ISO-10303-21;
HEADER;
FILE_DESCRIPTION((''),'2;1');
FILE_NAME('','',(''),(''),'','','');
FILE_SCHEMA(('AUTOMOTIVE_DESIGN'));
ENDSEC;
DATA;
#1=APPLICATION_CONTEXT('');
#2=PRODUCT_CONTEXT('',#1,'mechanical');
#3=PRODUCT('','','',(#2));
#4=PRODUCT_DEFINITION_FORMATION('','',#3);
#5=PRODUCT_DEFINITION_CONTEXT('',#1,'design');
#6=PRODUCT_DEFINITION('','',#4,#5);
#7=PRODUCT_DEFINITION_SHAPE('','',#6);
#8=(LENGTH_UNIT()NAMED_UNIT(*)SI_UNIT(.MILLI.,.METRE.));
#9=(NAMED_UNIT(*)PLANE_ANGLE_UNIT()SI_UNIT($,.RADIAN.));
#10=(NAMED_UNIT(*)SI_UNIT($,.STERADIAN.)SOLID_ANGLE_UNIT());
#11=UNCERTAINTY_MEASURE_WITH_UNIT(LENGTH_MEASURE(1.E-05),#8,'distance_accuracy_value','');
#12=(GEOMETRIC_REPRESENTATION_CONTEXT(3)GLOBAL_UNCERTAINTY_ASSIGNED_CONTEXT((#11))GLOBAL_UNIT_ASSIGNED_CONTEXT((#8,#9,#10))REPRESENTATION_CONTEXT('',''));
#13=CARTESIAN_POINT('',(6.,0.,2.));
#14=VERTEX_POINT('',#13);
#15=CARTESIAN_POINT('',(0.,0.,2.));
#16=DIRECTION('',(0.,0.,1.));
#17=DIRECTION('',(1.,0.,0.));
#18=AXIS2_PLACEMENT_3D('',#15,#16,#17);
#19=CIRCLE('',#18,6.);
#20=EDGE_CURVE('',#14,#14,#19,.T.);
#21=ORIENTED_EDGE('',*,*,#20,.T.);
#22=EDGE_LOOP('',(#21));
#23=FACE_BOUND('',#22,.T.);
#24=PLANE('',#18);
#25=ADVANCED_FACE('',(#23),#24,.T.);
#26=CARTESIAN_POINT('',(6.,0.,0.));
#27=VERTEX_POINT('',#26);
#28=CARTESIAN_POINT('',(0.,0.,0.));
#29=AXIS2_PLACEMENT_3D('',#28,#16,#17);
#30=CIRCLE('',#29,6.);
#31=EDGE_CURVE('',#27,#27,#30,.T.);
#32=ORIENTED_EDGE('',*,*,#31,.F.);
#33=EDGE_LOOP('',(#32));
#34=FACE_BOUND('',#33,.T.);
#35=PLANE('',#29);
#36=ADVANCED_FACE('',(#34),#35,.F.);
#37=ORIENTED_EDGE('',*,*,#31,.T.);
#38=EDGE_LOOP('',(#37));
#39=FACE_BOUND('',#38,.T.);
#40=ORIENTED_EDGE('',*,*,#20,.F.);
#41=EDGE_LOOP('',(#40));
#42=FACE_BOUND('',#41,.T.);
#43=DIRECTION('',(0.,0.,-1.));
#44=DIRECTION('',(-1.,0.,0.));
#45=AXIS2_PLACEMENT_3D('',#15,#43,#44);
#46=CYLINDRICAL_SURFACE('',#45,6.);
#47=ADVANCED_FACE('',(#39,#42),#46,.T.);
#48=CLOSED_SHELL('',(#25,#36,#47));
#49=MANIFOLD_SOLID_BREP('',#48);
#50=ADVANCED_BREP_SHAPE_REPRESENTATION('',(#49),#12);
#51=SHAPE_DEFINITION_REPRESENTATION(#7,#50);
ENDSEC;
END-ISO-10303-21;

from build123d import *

# Parameters (mm, degrees)
SKETCH_1_R      = 6
EXTRUDE_1_DEPTH = 2


with BuildPart() as part:
    # 草图1 → 凸台-拉伸1 (new body)
    with BuildSketch(Plane.XY):
        Circle(SKETCH_1_R)
    extrude(amount=EXTRUDE_1_DEPTH)


solid = part.part
